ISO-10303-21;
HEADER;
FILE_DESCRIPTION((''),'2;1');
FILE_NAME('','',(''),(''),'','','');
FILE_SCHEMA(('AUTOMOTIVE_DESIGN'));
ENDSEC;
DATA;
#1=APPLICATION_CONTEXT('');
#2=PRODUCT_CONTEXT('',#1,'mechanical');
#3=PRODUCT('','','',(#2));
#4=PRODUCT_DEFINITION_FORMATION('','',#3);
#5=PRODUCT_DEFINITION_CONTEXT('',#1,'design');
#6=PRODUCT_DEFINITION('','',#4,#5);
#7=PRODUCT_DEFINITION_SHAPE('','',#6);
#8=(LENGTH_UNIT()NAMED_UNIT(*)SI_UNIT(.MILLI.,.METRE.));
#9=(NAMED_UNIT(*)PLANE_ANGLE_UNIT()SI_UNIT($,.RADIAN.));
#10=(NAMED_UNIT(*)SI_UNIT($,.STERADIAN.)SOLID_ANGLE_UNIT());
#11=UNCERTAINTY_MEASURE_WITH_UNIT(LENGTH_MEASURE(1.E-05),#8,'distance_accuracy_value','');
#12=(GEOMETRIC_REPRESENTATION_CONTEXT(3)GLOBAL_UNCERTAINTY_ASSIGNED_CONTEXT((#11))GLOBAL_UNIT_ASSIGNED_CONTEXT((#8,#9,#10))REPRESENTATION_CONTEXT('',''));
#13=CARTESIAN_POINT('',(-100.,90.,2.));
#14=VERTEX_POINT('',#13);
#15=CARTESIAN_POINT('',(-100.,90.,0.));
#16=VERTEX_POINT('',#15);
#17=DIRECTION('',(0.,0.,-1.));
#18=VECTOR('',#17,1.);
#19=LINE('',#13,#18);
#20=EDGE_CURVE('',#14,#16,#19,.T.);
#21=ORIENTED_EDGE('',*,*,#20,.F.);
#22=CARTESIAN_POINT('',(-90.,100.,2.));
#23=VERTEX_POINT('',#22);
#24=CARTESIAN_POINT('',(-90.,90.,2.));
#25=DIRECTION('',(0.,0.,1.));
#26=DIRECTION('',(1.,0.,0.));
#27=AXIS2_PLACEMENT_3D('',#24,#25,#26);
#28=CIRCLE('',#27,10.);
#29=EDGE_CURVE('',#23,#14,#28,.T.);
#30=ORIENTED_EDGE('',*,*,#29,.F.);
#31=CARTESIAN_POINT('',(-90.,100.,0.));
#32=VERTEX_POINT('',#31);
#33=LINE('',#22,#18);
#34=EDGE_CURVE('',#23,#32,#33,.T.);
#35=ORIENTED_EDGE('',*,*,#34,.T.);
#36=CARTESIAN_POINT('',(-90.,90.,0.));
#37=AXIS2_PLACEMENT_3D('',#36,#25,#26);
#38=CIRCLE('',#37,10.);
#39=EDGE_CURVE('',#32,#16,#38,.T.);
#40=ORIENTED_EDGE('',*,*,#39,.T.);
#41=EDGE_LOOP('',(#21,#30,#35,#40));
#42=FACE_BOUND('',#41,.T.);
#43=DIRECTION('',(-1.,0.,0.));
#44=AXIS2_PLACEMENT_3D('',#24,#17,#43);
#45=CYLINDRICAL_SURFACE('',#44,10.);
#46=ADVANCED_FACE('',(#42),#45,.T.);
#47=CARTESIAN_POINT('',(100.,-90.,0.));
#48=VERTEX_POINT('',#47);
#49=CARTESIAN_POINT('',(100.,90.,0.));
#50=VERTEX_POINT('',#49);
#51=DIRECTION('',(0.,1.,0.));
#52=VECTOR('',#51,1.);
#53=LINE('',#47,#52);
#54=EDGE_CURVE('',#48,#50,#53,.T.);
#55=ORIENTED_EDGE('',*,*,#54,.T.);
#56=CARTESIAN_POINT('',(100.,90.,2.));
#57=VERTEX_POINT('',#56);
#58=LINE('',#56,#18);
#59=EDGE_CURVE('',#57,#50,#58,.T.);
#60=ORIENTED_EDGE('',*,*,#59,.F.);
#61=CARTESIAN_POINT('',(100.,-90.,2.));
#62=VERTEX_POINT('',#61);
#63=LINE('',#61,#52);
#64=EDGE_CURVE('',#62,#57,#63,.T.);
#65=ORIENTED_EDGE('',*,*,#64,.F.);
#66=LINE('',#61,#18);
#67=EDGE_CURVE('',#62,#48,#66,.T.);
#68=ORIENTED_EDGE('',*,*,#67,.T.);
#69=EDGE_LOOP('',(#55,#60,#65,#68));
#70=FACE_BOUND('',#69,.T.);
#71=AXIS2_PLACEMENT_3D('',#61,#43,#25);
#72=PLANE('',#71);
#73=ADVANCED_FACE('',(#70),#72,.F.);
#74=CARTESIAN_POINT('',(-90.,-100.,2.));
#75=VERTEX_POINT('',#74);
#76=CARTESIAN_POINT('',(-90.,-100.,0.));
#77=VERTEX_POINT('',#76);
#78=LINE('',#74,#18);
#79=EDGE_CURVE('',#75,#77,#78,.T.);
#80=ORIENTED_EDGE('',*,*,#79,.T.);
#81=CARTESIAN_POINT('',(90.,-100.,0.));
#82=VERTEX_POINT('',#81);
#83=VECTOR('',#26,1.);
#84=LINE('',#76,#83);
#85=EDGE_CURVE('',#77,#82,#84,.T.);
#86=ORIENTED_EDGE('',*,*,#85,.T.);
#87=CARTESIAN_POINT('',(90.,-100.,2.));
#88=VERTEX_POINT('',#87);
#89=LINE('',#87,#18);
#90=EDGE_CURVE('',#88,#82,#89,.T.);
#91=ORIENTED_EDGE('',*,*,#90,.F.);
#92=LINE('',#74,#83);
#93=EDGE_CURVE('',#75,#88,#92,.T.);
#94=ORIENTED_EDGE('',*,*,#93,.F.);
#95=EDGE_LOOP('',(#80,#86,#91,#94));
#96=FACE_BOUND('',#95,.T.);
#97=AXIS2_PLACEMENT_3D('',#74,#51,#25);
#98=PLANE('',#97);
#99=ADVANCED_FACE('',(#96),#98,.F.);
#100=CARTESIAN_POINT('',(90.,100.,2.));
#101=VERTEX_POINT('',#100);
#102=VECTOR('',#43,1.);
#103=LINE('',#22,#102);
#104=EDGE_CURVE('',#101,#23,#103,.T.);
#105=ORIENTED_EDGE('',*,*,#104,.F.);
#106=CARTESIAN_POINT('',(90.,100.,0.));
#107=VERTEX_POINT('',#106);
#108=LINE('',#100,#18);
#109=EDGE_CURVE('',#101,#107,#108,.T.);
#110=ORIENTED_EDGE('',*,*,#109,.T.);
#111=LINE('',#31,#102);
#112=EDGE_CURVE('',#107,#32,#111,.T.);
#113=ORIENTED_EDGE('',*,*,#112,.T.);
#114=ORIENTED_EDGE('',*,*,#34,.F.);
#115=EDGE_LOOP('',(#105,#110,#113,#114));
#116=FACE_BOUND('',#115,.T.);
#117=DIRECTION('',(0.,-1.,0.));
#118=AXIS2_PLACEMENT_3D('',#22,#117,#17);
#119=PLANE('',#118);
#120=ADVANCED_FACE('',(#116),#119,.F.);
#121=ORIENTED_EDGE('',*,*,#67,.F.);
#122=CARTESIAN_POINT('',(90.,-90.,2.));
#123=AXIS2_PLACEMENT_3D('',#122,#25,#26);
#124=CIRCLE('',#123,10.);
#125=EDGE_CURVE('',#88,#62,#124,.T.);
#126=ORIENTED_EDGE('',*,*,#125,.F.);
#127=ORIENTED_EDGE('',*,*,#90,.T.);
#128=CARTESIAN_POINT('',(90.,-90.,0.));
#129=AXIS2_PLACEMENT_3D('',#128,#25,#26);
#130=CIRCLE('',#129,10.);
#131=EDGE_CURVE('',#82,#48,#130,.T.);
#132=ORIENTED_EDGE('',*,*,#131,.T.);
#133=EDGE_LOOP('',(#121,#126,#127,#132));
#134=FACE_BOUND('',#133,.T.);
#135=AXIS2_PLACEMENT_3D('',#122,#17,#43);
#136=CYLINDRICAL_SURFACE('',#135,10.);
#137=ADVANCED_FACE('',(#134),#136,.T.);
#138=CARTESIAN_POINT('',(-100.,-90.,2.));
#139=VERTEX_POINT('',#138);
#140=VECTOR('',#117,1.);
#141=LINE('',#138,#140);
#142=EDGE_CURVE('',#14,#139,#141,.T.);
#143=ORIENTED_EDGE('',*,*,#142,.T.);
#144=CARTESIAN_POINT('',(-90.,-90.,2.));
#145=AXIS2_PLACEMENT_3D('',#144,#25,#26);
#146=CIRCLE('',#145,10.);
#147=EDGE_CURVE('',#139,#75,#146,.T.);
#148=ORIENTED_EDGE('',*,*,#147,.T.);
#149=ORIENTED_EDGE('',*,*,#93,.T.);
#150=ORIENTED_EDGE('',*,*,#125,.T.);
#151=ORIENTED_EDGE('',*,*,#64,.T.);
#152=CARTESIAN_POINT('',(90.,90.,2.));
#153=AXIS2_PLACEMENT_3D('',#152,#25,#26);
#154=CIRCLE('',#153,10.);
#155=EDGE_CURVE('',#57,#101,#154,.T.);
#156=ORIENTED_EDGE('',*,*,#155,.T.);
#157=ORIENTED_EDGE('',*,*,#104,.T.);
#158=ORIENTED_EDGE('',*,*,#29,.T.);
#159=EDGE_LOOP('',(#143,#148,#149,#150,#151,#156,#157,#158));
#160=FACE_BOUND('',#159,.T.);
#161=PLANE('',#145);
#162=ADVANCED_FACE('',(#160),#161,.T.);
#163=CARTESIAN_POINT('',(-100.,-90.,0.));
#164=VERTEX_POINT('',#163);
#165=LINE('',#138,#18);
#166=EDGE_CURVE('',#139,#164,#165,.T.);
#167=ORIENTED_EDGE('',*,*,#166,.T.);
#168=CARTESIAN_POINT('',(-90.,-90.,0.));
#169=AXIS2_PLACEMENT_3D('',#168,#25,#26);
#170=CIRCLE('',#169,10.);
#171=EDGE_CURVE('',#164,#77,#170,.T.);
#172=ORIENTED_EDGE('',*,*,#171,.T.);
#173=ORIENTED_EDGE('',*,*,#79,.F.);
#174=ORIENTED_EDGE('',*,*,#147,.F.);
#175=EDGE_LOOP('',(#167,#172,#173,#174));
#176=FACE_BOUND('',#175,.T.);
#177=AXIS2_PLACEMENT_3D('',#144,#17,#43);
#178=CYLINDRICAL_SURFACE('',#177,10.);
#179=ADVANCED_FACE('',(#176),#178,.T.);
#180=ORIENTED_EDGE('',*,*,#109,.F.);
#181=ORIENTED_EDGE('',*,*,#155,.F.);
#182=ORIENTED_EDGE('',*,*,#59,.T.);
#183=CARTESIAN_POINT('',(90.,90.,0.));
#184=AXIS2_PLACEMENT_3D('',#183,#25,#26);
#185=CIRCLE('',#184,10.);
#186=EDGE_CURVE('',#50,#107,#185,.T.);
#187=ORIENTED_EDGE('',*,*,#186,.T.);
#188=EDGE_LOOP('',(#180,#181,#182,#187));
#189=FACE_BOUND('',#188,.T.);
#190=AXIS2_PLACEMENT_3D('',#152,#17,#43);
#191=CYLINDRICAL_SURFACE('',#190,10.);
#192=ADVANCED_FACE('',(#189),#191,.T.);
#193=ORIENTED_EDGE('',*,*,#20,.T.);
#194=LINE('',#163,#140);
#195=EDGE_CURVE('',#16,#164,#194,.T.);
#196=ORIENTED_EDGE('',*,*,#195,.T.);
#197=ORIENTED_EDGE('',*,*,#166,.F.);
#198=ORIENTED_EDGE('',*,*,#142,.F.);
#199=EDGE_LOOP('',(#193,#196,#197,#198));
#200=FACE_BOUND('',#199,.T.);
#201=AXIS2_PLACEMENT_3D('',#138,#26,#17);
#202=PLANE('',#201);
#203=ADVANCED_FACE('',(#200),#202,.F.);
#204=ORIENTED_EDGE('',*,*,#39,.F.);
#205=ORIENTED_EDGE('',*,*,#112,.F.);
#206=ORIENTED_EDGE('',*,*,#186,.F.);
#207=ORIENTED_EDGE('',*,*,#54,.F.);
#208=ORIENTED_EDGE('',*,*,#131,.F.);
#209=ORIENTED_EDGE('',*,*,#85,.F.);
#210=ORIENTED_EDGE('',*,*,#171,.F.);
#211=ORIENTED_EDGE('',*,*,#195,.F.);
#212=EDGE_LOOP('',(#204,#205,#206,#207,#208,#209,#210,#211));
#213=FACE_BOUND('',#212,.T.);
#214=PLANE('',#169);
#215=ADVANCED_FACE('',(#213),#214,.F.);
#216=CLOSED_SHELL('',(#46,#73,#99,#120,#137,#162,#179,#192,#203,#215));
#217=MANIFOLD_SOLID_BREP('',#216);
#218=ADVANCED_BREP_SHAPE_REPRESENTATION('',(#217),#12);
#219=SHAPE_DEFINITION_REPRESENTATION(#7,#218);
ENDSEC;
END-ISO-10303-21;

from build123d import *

# Parameters (mm, degrees)
BOSS_EXTRUDE1_DEPTH = 2


with BuildPart() as part:
    # Sketch1 → Boss-Extrude1 (new body)
    with BuildSketch(Plane.XY):
        with BuildLine():
            Line((-90, -100), (90, -100))
            ThreePointArc((90, -100), (97.071067812, -97.071067812), (100, -90))
            Line((100, -90), (100, 90))
            ThreePointArc((100, 90), (97.071067812, 97.071067812), (90, 100))
            Line((90, 100), (-90, 100))
            ThreePointArc((-90, 100), (-97.071067812, 97.071067812), (-100, 90))
            Line((-100, 90), (-100, -90))
            ThreePointArc((-100, -90), (-97.071067812, -97.071067812), (-90, -100))
        make_face()
    extrude(amount=BOSS_EXTRUDE1_DEPTH)


solid = part.part
